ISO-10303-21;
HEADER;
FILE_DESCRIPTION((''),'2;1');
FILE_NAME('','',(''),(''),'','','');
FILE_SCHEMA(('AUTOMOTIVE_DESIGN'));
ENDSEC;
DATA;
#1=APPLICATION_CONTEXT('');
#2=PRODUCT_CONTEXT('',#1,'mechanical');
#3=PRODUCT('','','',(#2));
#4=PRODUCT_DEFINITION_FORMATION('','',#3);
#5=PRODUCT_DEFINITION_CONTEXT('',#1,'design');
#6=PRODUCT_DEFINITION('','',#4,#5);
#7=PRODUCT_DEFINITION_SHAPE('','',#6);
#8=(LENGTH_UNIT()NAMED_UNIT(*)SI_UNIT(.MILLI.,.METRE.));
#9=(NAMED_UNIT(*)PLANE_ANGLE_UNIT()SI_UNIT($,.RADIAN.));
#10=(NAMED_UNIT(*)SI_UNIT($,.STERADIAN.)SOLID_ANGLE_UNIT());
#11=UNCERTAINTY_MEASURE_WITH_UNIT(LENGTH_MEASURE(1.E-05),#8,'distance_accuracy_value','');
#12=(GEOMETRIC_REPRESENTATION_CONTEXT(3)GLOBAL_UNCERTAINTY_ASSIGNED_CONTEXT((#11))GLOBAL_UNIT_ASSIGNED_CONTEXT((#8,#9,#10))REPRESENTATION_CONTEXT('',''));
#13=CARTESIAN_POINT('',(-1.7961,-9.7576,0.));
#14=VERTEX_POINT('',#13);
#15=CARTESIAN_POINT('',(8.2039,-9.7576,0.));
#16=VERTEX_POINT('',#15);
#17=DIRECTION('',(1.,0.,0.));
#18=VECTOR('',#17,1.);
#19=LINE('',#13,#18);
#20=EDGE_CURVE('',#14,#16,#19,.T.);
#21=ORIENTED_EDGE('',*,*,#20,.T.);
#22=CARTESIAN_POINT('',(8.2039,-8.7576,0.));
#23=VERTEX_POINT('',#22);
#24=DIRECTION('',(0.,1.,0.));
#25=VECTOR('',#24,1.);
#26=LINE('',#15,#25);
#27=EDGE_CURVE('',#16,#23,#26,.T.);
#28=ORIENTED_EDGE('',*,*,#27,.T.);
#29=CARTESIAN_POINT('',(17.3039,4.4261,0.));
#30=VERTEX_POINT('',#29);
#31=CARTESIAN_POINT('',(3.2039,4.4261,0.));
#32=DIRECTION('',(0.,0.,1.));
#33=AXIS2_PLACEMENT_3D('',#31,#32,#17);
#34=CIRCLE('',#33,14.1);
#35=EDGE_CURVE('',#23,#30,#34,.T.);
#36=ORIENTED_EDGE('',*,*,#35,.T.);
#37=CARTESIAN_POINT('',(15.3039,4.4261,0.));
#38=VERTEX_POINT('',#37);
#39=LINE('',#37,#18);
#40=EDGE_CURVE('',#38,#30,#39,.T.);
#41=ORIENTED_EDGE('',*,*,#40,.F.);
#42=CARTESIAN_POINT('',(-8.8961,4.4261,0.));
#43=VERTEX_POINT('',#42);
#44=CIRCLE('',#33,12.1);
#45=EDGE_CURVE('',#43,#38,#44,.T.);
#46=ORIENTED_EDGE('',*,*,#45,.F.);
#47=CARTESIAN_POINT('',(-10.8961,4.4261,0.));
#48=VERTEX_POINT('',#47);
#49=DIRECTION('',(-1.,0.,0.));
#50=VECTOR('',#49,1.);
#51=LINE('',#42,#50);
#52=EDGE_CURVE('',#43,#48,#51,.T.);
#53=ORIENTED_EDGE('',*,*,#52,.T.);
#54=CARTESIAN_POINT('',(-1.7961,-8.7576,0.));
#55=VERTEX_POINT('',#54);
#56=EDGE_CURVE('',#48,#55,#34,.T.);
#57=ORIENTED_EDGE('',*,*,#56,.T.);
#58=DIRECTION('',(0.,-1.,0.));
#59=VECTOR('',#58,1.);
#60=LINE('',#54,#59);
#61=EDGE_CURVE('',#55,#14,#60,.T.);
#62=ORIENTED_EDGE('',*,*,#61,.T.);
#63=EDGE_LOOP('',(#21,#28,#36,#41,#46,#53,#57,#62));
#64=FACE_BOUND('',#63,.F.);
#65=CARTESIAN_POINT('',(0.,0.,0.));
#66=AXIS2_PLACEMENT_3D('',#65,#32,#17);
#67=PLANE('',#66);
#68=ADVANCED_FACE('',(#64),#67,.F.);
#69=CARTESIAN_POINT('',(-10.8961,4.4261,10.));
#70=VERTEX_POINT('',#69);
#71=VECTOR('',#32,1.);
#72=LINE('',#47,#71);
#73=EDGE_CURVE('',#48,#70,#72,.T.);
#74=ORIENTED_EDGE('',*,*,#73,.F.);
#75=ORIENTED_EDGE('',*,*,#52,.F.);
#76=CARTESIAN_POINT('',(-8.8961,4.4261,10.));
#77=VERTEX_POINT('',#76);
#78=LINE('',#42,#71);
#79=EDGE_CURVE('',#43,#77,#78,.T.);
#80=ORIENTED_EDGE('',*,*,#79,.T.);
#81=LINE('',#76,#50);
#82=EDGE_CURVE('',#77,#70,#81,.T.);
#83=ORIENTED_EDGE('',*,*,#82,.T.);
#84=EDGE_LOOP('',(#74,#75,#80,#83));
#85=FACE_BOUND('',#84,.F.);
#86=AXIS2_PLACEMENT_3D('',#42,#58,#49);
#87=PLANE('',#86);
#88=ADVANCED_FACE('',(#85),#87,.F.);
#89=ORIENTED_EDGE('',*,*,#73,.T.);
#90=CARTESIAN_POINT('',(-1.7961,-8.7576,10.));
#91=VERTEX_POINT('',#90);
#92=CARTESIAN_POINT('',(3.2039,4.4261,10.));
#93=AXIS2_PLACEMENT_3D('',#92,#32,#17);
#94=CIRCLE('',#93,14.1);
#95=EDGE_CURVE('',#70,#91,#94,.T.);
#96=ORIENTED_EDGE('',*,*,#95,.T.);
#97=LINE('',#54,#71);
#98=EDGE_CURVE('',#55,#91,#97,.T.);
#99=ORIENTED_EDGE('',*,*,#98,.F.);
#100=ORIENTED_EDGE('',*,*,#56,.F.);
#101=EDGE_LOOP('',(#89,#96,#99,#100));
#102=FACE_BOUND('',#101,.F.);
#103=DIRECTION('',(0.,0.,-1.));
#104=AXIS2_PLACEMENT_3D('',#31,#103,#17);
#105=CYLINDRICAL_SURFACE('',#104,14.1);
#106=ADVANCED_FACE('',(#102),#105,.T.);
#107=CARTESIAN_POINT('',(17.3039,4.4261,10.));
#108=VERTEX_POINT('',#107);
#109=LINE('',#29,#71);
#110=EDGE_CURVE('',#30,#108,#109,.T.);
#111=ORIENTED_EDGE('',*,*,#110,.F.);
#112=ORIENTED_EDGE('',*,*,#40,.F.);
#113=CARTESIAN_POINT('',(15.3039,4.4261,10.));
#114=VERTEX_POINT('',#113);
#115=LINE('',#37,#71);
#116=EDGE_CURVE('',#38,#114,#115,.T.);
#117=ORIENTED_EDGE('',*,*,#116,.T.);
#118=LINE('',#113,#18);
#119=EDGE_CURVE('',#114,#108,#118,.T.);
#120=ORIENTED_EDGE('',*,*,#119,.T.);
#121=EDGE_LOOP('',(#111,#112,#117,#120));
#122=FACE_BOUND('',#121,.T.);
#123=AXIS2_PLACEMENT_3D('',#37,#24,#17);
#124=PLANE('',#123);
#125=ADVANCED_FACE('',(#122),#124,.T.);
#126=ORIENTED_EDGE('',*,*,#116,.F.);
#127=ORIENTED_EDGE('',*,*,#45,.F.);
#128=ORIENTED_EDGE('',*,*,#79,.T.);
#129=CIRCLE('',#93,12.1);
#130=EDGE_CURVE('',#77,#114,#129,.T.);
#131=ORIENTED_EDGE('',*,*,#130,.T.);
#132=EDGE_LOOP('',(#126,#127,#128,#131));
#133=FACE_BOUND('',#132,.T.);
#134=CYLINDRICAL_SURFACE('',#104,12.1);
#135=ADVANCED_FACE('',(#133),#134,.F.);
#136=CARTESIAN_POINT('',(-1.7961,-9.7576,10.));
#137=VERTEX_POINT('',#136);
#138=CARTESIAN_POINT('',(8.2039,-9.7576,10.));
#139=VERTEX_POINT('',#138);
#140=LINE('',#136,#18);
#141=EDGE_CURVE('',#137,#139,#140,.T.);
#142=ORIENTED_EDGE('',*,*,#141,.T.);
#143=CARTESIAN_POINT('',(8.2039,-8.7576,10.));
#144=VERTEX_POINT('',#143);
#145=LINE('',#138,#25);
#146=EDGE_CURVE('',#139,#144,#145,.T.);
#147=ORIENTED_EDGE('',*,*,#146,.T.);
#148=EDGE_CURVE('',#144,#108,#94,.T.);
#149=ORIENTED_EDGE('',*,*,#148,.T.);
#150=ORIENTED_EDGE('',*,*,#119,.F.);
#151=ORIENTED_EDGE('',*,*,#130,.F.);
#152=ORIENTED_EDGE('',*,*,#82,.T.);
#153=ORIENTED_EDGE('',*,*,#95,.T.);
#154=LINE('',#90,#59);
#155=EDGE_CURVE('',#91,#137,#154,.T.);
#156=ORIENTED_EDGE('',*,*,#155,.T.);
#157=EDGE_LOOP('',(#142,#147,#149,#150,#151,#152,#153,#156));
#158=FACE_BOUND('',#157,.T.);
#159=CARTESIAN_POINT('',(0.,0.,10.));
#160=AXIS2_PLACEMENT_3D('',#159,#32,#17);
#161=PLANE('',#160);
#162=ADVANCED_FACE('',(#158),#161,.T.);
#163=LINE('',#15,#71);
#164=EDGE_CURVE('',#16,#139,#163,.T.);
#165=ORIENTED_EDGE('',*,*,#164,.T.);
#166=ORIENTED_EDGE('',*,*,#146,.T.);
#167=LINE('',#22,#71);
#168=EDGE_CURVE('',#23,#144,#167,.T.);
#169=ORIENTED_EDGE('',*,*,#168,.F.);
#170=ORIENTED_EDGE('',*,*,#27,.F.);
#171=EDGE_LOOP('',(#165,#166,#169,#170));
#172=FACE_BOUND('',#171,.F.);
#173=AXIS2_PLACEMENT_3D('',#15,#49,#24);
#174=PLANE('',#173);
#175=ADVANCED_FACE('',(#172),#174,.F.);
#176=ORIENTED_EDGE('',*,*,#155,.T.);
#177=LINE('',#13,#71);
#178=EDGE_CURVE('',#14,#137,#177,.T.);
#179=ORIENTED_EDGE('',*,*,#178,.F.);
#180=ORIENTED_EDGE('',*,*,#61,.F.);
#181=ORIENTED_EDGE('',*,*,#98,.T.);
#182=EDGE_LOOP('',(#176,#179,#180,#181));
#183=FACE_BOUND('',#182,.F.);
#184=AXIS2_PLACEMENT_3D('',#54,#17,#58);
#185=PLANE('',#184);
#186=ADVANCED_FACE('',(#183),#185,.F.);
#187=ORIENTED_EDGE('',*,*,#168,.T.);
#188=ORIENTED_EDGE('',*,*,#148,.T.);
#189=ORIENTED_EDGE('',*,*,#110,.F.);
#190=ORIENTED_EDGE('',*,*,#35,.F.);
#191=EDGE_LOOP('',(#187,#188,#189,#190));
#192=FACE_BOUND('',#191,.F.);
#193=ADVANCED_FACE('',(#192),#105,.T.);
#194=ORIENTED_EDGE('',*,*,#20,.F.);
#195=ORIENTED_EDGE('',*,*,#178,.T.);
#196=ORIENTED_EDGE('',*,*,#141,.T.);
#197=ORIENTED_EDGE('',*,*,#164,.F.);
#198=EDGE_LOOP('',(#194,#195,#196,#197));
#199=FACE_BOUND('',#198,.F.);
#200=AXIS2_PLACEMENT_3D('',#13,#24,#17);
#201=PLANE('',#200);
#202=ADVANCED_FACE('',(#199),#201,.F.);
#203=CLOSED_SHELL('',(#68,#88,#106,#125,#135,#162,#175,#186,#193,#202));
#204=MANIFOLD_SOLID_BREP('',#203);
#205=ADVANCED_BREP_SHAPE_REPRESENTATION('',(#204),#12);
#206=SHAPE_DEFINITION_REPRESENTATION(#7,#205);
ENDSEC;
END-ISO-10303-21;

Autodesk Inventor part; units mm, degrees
ref_plane "YZ Plane" through (0, 0, 0) normal (1, 0, 0) x (0, 1, 0)
ref_plane "XZ Plane" through (0, 0, 0) normal (0, 1, 0) x (-1, 0, 0)
ref_plane "XY Plane" through (0, 0, 0) normal (0, 0, 1) x (1, 0, 0)
sketch "Sketch2" plane through (0, 0, 0) normal (0, 0, 1) x (1, 0, 0)
  circle A0 centre (3.2039, 4.4261) radius 14.1
  circle A1 centre (3.2039, 4.4261) radius 12.1
  line L0 (-1.7961, -8.7576) -> (8.2039, -8.7576)
  line L1 (-1.7961, -8.7576) -> (-1.7961, -9.7576)
  line L2 (-1.7961, -9.7576) -> (8.2039, -9.7576)
  line L3 (8.2039, -9.7576) -> (8.2039, -8.7576)
  line L4 (-8.8961, 4.4261) -> (-10.8961, 4.4261)
  line L5 (15.3039, 4.4261) -> (17.3039, 4.4261)
  dimension "d6" = 28.2
  dimension "d7" = 24.2
  dimension "d8" = 1
  dimension "d9" = 10
extrude "Extrusion2" add sketch "Sketch2" along normal blind 10 contours A0 L0 L4 A1 L5 | L3 L2 L1 A0 | A0 L0
properties part number "clip-pipe" material "PC/ABS Plastic"
